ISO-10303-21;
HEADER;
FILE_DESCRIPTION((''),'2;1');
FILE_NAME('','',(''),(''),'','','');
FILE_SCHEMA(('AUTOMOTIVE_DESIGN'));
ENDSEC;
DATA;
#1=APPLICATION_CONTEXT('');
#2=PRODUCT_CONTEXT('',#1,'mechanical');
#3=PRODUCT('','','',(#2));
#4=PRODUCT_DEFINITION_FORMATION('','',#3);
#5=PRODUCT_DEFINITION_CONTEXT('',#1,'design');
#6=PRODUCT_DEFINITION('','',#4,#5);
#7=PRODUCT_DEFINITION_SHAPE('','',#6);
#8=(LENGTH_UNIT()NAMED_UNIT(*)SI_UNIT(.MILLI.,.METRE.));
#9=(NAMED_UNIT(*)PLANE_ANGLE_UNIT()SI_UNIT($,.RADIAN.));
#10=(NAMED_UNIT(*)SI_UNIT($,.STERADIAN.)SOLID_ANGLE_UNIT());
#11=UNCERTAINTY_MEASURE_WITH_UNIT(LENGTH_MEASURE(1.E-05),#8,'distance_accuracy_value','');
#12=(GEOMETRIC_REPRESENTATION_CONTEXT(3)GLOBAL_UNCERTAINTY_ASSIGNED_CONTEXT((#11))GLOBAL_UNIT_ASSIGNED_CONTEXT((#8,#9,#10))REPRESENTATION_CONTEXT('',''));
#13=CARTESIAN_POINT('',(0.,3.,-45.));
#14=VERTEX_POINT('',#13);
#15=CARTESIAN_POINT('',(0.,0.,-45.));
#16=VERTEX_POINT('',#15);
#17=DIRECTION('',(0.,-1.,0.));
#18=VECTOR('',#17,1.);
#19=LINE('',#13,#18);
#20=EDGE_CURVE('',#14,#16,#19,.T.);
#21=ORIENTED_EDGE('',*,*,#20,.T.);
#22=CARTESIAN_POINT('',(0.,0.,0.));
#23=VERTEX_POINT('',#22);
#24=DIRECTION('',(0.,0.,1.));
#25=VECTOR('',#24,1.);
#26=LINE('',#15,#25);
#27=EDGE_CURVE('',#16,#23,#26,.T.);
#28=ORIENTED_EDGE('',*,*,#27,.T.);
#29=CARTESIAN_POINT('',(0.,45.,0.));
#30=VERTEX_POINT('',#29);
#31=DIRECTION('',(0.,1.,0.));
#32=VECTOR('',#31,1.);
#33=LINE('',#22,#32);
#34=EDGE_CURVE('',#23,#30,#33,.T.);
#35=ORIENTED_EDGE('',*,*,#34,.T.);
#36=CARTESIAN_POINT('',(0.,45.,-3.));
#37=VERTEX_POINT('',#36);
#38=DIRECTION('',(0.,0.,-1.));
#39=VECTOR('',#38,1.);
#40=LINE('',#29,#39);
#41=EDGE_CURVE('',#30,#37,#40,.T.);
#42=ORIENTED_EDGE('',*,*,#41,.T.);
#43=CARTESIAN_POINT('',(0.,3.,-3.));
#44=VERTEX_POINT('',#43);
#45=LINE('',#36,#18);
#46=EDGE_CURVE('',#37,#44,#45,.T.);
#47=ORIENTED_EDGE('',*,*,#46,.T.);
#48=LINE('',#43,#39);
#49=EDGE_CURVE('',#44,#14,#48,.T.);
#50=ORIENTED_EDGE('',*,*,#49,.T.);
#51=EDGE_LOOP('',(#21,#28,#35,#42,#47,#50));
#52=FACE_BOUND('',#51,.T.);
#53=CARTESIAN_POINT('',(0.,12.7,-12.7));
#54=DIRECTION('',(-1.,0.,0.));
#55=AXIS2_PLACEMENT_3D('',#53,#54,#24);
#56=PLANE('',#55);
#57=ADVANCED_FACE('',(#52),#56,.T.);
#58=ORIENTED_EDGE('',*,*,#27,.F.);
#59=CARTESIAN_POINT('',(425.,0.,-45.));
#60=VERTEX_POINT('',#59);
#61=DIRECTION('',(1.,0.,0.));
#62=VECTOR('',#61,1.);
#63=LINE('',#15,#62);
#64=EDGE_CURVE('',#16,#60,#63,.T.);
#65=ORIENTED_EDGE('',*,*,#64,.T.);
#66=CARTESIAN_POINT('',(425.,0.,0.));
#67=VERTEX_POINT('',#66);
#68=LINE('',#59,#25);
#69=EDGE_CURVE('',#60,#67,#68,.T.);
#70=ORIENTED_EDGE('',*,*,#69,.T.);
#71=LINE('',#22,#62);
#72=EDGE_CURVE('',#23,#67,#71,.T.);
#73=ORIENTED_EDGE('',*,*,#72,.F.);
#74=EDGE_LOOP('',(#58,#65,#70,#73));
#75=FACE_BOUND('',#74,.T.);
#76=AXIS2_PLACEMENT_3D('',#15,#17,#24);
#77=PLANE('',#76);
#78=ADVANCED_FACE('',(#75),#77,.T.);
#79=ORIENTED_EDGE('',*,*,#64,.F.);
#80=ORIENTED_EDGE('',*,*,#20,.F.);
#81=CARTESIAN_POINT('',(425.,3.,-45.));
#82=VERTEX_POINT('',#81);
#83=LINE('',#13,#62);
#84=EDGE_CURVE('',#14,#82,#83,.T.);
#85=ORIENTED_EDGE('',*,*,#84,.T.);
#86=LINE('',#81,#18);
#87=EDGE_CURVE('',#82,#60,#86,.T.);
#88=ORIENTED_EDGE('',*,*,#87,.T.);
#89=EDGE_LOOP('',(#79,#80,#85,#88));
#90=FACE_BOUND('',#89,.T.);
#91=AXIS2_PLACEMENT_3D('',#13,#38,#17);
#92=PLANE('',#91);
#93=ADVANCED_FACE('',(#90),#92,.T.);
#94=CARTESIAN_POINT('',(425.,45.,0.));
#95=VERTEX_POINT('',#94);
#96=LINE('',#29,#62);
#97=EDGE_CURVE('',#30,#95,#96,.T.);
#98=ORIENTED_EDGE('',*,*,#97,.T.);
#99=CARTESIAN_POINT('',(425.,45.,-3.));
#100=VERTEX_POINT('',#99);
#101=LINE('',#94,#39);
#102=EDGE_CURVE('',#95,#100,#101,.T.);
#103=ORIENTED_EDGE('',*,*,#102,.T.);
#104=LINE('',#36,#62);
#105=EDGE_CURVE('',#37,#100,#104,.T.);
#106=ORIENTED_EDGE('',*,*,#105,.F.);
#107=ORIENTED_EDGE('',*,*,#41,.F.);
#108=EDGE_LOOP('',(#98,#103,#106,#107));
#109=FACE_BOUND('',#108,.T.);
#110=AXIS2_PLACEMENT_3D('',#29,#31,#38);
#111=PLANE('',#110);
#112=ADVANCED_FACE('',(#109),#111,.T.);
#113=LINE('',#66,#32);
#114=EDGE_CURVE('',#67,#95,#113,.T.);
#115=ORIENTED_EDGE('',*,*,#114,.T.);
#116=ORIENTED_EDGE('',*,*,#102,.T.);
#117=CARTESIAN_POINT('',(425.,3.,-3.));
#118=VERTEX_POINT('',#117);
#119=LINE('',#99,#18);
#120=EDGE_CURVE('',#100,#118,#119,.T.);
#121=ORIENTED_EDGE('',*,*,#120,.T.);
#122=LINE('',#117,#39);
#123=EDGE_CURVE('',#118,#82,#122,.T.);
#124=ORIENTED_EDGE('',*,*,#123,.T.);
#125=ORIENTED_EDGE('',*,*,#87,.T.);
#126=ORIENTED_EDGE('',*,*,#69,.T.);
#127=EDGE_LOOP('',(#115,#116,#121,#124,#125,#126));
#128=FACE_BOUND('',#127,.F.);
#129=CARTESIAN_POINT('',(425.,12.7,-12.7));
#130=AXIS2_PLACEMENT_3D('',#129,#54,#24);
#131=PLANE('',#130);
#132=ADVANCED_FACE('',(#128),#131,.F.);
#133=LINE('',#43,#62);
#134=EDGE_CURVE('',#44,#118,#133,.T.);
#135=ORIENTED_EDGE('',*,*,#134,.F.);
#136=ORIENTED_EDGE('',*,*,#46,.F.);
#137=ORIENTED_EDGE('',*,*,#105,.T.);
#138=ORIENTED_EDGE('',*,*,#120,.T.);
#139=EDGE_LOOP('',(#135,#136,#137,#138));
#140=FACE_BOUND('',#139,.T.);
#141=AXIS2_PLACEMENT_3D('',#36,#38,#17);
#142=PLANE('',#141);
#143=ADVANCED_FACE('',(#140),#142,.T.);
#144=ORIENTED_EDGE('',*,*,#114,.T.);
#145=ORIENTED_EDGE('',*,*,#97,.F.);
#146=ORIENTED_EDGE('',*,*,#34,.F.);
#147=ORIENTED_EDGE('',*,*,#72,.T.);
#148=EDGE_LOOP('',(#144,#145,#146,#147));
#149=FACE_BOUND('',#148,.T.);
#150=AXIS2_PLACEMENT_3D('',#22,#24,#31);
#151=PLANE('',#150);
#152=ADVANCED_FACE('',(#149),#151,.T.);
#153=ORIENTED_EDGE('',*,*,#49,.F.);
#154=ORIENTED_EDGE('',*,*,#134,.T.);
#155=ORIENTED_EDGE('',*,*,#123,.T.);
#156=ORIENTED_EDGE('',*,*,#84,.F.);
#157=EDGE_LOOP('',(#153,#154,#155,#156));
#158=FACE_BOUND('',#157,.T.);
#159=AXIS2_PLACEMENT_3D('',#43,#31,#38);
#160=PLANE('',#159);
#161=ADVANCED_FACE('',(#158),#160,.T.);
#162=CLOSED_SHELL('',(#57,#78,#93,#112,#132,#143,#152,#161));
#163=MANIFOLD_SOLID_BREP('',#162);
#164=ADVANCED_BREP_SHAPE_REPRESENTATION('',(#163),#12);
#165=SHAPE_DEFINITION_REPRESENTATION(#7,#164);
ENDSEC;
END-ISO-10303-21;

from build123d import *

# Parameters (mm, degrees)
EXTRUDE_1_DEPTH = 425


with BuildPart() as part:
    # Эскиз1 → Вытянуть-Тонкостенный1 (new body)
    with BuildSketch(Plane(origin=(0, 0, 0), x_dir=(0, 0, -1), z_dir=(1, 0, 0))):
        Polygon((45, 0), (0, 0), (0, 45), (3, 45), (3, 3), (45, 3), align=None)
    extrude(amount=EXTRUDE_1_DEPTH)


solid = part.part
